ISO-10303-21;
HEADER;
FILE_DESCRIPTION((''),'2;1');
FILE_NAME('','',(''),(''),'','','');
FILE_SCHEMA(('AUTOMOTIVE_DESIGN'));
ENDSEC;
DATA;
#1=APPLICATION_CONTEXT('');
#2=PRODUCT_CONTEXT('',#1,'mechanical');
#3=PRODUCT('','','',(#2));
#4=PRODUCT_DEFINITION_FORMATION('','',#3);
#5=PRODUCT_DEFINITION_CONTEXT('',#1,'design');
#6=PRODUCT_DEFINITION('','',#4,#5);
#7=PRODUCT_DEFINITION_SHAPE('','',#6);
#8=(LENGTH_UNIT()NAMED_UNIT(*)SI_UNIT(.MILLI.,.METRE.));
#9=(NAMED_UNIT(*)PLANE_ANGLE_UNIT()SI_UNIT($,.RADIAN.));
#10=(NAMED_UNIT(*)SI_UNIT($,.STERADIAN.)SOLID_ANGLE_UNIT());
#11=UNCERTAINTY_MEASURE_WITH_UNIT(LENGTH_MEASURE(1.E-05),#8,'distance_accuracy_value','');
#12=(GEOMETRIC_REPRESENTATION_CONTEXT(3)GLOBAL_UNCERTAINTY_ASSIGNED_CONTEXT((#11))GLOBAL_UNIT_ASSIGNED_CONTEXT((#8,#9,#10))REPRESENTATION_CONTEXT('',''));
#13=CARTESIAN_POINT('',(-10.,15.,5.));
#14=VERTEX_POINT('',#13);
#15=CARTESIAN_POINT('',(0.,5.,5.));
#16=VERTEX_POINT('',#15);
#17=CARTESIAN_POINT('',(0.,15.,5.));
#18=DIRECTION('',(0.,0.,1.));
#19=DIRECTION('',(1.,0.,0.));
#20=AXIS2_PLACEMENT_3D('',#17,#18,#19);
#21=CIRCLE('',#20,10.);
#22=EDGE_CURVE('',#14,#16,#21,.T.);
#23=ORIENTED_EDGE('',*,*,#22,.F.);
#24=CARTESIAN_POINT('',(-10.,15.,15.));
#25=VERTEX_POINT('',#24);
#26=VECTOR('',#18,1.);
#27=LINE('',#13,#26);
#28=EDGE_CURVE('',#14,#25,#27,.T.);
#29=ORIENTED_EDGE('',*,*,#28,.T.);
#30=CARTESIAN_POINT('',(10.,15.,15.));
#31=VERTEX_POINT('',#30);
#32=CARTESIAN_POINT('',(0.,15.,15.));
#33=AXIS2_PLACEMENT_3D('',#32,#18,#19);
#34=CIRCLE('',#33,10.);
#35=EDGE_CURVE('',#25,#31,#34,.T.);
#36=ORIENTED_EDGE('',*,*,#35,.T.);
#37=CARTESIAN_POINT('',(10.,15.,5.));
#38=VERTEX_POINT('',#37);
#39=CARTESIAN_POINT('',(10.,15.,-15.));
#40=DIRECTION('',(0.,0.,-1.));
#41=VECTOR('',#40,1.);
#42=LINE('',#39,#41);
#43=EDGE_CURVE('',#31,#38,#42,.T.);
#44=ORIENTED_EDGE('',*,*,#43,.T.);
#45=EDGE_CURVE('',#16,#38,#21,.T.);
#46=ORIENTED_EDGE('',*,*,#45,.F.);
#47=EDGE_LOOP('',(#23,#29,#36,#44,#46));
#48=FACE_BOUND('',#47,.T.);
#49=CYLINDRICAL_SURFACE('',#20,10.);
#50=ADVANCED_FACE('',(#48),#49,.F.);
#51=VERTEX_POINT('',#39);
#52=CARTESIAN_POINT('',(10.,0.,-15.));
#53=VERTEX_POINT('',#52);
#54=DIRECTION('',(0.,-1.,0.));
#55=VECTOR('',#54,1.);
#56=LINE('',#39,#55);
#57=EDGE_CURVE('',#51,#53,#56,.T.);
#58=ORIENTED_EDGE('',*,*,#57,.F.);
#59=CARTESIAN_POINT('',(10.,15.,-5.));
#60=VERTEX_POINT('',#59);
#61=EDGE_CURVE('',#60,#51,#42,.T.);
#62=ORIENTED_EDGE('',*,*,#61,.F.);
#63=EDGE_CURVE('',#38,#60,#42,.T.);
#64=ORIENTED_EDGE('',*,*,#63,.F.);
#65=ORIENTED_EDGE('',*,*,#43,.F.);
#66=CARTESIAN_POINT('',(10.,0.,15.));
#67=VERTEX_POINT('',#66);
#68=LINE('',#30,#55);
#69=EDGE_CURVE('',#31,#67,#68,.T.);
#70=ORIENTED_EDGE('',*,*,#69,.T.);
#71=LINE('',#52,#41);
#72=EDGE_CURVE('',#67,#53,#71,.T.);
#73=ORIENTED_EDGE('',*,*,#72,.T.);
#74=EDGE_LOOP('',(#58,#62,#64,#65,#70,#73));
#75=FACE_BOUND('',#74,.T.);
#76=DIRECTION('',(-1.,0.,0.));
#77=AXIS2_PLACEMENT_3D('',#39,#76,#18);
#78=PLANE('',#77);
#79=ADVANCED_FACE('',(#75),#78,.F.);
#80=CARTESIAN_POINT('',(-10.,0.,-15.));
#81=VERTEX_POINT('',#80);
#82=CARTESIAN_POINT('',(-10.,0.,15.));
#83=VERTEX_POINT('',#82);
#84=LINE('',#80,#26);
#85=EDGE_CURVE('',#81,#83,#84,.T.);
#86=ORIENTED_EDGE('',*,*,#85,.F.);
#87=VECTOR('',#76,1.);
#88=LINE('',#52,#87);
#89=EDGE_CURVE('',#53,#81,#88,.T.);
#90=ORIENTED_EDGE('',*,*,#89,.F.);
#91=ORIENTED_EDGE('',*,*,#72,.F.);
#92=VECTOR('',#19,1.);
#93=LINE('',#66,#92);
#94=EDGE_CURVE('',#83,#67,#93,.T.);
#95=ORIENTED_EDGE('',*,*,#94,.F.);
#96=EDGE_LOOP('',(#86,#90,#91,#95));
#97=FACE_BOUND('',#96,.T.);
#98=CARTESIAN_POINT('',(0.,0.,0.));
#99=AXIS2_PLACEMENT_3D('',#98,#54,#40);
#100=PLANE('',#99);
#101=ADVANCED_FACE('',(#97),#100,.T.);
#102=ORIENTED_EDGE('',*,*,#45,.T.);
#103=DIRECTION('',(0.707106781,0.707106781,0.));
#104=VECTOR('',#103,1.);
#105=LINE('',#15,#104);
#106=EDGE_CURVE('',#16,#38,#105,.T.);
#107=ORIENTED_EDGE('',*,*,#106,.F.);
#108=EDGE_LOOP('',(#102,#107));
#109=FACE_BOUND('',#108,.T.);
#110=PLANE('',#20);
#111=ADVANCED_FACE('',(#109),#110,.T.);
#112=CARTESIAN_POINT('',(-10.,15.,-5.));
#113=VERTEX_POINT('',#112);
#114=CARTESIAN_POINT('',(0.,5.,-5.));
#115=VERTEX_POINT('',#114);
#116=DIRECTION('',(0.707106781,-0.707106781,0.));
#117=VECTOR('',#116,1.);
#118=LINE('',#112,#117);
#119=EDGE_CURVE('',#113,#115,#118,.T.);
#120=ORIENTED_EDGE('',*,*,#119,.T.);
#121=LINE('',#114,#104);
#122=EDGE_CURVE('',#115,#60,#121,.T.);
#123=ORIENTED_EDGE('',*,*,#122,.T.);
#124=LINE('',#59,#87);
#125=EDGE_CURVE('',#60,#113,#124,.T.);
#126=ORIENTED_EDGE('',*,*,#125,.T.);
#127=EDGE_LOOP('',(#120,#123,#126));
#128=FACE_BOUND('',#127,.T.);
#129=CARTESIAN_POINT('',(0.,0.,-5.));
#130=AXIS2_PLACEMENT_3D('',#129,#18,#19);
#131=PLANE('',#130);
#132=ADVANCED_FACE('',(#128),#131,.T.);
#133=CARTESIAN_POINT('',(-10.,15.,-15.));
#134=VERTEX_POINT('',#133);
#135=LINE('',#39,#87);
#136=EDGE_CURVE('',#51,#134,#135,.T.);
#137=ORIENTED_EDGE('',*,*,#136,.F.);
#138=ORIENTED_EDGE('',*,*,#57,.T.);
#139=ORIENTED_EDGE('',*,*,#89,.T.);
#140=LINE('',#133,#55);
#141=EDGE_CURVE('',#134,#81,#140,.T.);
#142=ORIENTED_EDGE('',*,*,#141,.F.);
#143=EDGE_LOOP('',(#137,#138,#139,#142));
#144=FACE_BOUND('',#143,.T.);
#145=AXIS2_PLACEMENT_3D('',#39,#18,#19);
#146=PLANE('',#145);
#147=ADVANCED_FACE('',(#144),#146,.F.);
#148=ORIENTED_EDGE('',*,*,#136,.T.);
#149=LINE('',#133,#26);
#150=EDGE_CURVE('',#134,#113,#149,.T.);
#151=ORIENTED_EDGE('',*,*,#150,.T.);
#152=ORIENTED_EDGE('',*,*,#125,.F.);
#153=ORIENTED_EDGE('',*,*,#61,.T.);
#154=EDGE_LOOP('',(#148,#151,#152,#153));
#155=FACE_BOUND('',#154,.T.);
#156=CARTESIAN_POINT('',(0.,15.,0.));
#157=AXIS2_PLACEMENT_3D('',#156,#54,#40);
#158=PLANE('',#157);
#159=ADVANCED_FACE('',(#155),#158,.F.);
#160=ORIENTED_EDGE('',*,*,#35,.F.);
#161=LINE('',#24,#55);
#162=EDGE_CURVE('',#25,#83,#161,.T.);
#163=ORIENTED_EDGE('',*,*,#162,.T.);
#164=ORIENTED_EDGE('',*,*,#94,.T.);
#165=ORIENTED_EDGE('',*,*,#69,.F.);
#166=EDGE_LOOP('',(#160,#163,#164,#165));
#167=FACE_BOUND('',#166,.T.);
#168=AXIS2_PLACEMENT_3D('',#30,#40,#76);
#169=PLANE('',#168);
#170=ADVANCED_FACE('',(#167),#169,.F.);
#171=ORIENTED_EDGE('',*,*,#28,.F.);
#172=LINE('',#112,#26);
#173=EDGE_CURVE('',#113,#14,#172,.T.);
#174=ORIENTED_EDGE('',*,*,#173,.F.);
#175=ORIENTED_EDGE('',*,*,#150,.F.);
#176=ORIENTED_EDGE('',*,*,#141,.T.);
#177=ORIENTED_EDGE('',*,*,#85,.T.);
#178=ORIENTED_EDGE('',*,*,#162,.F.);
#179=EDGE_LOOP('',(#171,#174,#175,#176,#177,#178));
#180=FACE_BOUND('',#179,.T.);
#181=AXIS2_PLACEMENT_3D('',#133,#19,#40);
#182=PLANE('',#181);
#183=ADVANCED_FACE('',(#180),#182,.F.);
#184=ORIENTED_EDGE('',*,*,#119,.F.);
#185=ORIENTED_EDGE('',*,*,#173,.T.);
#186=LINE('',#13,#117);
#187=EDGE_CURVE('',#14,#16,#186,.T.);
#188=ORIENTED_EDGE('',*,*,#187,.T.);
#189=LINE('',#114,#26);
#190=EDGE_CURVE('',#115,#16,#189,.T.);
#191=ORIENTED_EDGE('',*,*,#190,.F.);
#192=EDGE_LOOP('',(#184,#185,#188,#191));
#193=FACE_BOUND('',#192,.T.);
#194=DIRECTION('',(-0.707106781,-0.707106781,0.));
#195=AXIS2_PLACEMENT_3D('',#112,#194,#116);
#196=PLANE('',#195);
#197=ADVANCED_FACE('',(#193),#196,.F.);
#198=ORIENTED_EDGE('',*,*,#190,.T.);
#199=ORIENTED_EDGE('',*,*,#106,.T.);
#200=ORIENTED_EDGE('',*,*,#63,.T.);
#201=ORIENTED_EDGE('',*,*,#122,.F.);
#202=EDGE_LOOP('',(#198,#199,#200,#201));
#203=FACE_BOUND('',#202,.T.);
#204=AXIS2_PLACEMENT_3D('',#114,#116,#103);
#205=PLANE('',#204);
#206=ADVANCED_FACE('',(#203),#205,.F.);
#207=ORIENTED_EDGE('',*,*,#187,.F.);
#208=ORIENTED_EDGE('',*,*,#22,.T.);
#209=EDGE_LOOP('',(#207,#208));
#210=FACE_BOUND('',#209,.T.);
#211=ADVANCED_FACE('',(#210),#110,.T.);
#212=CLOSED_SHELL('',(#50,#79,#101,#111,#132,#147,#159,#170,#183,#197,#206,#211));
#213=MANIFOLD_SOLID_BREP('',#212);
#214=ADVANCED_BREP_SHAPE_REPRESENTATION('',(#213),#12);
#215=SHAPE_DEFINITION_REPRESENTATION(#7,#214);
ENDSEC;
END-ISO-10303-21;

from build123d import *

# Parameters (mm, degrees)
SKETCH_1_W          = 20
SKETCH_1_H          = 30
EXTRUDE_1_DEPTH     = 15
CUT_EXTRUDE_1_DEPTH = 10
CUT_EXTRUDE_2_DEPTH = 10


with BuildPart() as part:
    # 草圖1 → 填料-伸長1 (new body)
    with BuildSketch(Plane(origin=(0, 0, 0), x_dir=(1, 0, 0), z_dir=(0, 1, 0))):
        Rectangle(SKETCH_1_W, SKETCH_1_H)
    extrude(amount=EXTRUDE_1_DEPTH)

    # 草圖2 → 除料-伸長1 (cut)
    with BuildSketch(Plane.XY.offset(15)):
        with BuildLine():
            Line((10, 15), (-10, 15))
            ThreePointArc((-10, 15), (0, 5), (10, 15))
        make_face()
    extrude(amount=-CUT_EXTRUDE_1_DEPTH, mode=Mode.SUBTRACT)

    # 草圖3 → 除料-伸長2 (cut)
    with BuildSketch(Plane.XY.offset(5)):
        Polygon((-10, 15), (0, 5), (10, 15), align=None)
    extrude(amount=-CUT_EXTRUDE_2_DEPTH, mode=Mode.SUBTRACT)


solid = part.part
